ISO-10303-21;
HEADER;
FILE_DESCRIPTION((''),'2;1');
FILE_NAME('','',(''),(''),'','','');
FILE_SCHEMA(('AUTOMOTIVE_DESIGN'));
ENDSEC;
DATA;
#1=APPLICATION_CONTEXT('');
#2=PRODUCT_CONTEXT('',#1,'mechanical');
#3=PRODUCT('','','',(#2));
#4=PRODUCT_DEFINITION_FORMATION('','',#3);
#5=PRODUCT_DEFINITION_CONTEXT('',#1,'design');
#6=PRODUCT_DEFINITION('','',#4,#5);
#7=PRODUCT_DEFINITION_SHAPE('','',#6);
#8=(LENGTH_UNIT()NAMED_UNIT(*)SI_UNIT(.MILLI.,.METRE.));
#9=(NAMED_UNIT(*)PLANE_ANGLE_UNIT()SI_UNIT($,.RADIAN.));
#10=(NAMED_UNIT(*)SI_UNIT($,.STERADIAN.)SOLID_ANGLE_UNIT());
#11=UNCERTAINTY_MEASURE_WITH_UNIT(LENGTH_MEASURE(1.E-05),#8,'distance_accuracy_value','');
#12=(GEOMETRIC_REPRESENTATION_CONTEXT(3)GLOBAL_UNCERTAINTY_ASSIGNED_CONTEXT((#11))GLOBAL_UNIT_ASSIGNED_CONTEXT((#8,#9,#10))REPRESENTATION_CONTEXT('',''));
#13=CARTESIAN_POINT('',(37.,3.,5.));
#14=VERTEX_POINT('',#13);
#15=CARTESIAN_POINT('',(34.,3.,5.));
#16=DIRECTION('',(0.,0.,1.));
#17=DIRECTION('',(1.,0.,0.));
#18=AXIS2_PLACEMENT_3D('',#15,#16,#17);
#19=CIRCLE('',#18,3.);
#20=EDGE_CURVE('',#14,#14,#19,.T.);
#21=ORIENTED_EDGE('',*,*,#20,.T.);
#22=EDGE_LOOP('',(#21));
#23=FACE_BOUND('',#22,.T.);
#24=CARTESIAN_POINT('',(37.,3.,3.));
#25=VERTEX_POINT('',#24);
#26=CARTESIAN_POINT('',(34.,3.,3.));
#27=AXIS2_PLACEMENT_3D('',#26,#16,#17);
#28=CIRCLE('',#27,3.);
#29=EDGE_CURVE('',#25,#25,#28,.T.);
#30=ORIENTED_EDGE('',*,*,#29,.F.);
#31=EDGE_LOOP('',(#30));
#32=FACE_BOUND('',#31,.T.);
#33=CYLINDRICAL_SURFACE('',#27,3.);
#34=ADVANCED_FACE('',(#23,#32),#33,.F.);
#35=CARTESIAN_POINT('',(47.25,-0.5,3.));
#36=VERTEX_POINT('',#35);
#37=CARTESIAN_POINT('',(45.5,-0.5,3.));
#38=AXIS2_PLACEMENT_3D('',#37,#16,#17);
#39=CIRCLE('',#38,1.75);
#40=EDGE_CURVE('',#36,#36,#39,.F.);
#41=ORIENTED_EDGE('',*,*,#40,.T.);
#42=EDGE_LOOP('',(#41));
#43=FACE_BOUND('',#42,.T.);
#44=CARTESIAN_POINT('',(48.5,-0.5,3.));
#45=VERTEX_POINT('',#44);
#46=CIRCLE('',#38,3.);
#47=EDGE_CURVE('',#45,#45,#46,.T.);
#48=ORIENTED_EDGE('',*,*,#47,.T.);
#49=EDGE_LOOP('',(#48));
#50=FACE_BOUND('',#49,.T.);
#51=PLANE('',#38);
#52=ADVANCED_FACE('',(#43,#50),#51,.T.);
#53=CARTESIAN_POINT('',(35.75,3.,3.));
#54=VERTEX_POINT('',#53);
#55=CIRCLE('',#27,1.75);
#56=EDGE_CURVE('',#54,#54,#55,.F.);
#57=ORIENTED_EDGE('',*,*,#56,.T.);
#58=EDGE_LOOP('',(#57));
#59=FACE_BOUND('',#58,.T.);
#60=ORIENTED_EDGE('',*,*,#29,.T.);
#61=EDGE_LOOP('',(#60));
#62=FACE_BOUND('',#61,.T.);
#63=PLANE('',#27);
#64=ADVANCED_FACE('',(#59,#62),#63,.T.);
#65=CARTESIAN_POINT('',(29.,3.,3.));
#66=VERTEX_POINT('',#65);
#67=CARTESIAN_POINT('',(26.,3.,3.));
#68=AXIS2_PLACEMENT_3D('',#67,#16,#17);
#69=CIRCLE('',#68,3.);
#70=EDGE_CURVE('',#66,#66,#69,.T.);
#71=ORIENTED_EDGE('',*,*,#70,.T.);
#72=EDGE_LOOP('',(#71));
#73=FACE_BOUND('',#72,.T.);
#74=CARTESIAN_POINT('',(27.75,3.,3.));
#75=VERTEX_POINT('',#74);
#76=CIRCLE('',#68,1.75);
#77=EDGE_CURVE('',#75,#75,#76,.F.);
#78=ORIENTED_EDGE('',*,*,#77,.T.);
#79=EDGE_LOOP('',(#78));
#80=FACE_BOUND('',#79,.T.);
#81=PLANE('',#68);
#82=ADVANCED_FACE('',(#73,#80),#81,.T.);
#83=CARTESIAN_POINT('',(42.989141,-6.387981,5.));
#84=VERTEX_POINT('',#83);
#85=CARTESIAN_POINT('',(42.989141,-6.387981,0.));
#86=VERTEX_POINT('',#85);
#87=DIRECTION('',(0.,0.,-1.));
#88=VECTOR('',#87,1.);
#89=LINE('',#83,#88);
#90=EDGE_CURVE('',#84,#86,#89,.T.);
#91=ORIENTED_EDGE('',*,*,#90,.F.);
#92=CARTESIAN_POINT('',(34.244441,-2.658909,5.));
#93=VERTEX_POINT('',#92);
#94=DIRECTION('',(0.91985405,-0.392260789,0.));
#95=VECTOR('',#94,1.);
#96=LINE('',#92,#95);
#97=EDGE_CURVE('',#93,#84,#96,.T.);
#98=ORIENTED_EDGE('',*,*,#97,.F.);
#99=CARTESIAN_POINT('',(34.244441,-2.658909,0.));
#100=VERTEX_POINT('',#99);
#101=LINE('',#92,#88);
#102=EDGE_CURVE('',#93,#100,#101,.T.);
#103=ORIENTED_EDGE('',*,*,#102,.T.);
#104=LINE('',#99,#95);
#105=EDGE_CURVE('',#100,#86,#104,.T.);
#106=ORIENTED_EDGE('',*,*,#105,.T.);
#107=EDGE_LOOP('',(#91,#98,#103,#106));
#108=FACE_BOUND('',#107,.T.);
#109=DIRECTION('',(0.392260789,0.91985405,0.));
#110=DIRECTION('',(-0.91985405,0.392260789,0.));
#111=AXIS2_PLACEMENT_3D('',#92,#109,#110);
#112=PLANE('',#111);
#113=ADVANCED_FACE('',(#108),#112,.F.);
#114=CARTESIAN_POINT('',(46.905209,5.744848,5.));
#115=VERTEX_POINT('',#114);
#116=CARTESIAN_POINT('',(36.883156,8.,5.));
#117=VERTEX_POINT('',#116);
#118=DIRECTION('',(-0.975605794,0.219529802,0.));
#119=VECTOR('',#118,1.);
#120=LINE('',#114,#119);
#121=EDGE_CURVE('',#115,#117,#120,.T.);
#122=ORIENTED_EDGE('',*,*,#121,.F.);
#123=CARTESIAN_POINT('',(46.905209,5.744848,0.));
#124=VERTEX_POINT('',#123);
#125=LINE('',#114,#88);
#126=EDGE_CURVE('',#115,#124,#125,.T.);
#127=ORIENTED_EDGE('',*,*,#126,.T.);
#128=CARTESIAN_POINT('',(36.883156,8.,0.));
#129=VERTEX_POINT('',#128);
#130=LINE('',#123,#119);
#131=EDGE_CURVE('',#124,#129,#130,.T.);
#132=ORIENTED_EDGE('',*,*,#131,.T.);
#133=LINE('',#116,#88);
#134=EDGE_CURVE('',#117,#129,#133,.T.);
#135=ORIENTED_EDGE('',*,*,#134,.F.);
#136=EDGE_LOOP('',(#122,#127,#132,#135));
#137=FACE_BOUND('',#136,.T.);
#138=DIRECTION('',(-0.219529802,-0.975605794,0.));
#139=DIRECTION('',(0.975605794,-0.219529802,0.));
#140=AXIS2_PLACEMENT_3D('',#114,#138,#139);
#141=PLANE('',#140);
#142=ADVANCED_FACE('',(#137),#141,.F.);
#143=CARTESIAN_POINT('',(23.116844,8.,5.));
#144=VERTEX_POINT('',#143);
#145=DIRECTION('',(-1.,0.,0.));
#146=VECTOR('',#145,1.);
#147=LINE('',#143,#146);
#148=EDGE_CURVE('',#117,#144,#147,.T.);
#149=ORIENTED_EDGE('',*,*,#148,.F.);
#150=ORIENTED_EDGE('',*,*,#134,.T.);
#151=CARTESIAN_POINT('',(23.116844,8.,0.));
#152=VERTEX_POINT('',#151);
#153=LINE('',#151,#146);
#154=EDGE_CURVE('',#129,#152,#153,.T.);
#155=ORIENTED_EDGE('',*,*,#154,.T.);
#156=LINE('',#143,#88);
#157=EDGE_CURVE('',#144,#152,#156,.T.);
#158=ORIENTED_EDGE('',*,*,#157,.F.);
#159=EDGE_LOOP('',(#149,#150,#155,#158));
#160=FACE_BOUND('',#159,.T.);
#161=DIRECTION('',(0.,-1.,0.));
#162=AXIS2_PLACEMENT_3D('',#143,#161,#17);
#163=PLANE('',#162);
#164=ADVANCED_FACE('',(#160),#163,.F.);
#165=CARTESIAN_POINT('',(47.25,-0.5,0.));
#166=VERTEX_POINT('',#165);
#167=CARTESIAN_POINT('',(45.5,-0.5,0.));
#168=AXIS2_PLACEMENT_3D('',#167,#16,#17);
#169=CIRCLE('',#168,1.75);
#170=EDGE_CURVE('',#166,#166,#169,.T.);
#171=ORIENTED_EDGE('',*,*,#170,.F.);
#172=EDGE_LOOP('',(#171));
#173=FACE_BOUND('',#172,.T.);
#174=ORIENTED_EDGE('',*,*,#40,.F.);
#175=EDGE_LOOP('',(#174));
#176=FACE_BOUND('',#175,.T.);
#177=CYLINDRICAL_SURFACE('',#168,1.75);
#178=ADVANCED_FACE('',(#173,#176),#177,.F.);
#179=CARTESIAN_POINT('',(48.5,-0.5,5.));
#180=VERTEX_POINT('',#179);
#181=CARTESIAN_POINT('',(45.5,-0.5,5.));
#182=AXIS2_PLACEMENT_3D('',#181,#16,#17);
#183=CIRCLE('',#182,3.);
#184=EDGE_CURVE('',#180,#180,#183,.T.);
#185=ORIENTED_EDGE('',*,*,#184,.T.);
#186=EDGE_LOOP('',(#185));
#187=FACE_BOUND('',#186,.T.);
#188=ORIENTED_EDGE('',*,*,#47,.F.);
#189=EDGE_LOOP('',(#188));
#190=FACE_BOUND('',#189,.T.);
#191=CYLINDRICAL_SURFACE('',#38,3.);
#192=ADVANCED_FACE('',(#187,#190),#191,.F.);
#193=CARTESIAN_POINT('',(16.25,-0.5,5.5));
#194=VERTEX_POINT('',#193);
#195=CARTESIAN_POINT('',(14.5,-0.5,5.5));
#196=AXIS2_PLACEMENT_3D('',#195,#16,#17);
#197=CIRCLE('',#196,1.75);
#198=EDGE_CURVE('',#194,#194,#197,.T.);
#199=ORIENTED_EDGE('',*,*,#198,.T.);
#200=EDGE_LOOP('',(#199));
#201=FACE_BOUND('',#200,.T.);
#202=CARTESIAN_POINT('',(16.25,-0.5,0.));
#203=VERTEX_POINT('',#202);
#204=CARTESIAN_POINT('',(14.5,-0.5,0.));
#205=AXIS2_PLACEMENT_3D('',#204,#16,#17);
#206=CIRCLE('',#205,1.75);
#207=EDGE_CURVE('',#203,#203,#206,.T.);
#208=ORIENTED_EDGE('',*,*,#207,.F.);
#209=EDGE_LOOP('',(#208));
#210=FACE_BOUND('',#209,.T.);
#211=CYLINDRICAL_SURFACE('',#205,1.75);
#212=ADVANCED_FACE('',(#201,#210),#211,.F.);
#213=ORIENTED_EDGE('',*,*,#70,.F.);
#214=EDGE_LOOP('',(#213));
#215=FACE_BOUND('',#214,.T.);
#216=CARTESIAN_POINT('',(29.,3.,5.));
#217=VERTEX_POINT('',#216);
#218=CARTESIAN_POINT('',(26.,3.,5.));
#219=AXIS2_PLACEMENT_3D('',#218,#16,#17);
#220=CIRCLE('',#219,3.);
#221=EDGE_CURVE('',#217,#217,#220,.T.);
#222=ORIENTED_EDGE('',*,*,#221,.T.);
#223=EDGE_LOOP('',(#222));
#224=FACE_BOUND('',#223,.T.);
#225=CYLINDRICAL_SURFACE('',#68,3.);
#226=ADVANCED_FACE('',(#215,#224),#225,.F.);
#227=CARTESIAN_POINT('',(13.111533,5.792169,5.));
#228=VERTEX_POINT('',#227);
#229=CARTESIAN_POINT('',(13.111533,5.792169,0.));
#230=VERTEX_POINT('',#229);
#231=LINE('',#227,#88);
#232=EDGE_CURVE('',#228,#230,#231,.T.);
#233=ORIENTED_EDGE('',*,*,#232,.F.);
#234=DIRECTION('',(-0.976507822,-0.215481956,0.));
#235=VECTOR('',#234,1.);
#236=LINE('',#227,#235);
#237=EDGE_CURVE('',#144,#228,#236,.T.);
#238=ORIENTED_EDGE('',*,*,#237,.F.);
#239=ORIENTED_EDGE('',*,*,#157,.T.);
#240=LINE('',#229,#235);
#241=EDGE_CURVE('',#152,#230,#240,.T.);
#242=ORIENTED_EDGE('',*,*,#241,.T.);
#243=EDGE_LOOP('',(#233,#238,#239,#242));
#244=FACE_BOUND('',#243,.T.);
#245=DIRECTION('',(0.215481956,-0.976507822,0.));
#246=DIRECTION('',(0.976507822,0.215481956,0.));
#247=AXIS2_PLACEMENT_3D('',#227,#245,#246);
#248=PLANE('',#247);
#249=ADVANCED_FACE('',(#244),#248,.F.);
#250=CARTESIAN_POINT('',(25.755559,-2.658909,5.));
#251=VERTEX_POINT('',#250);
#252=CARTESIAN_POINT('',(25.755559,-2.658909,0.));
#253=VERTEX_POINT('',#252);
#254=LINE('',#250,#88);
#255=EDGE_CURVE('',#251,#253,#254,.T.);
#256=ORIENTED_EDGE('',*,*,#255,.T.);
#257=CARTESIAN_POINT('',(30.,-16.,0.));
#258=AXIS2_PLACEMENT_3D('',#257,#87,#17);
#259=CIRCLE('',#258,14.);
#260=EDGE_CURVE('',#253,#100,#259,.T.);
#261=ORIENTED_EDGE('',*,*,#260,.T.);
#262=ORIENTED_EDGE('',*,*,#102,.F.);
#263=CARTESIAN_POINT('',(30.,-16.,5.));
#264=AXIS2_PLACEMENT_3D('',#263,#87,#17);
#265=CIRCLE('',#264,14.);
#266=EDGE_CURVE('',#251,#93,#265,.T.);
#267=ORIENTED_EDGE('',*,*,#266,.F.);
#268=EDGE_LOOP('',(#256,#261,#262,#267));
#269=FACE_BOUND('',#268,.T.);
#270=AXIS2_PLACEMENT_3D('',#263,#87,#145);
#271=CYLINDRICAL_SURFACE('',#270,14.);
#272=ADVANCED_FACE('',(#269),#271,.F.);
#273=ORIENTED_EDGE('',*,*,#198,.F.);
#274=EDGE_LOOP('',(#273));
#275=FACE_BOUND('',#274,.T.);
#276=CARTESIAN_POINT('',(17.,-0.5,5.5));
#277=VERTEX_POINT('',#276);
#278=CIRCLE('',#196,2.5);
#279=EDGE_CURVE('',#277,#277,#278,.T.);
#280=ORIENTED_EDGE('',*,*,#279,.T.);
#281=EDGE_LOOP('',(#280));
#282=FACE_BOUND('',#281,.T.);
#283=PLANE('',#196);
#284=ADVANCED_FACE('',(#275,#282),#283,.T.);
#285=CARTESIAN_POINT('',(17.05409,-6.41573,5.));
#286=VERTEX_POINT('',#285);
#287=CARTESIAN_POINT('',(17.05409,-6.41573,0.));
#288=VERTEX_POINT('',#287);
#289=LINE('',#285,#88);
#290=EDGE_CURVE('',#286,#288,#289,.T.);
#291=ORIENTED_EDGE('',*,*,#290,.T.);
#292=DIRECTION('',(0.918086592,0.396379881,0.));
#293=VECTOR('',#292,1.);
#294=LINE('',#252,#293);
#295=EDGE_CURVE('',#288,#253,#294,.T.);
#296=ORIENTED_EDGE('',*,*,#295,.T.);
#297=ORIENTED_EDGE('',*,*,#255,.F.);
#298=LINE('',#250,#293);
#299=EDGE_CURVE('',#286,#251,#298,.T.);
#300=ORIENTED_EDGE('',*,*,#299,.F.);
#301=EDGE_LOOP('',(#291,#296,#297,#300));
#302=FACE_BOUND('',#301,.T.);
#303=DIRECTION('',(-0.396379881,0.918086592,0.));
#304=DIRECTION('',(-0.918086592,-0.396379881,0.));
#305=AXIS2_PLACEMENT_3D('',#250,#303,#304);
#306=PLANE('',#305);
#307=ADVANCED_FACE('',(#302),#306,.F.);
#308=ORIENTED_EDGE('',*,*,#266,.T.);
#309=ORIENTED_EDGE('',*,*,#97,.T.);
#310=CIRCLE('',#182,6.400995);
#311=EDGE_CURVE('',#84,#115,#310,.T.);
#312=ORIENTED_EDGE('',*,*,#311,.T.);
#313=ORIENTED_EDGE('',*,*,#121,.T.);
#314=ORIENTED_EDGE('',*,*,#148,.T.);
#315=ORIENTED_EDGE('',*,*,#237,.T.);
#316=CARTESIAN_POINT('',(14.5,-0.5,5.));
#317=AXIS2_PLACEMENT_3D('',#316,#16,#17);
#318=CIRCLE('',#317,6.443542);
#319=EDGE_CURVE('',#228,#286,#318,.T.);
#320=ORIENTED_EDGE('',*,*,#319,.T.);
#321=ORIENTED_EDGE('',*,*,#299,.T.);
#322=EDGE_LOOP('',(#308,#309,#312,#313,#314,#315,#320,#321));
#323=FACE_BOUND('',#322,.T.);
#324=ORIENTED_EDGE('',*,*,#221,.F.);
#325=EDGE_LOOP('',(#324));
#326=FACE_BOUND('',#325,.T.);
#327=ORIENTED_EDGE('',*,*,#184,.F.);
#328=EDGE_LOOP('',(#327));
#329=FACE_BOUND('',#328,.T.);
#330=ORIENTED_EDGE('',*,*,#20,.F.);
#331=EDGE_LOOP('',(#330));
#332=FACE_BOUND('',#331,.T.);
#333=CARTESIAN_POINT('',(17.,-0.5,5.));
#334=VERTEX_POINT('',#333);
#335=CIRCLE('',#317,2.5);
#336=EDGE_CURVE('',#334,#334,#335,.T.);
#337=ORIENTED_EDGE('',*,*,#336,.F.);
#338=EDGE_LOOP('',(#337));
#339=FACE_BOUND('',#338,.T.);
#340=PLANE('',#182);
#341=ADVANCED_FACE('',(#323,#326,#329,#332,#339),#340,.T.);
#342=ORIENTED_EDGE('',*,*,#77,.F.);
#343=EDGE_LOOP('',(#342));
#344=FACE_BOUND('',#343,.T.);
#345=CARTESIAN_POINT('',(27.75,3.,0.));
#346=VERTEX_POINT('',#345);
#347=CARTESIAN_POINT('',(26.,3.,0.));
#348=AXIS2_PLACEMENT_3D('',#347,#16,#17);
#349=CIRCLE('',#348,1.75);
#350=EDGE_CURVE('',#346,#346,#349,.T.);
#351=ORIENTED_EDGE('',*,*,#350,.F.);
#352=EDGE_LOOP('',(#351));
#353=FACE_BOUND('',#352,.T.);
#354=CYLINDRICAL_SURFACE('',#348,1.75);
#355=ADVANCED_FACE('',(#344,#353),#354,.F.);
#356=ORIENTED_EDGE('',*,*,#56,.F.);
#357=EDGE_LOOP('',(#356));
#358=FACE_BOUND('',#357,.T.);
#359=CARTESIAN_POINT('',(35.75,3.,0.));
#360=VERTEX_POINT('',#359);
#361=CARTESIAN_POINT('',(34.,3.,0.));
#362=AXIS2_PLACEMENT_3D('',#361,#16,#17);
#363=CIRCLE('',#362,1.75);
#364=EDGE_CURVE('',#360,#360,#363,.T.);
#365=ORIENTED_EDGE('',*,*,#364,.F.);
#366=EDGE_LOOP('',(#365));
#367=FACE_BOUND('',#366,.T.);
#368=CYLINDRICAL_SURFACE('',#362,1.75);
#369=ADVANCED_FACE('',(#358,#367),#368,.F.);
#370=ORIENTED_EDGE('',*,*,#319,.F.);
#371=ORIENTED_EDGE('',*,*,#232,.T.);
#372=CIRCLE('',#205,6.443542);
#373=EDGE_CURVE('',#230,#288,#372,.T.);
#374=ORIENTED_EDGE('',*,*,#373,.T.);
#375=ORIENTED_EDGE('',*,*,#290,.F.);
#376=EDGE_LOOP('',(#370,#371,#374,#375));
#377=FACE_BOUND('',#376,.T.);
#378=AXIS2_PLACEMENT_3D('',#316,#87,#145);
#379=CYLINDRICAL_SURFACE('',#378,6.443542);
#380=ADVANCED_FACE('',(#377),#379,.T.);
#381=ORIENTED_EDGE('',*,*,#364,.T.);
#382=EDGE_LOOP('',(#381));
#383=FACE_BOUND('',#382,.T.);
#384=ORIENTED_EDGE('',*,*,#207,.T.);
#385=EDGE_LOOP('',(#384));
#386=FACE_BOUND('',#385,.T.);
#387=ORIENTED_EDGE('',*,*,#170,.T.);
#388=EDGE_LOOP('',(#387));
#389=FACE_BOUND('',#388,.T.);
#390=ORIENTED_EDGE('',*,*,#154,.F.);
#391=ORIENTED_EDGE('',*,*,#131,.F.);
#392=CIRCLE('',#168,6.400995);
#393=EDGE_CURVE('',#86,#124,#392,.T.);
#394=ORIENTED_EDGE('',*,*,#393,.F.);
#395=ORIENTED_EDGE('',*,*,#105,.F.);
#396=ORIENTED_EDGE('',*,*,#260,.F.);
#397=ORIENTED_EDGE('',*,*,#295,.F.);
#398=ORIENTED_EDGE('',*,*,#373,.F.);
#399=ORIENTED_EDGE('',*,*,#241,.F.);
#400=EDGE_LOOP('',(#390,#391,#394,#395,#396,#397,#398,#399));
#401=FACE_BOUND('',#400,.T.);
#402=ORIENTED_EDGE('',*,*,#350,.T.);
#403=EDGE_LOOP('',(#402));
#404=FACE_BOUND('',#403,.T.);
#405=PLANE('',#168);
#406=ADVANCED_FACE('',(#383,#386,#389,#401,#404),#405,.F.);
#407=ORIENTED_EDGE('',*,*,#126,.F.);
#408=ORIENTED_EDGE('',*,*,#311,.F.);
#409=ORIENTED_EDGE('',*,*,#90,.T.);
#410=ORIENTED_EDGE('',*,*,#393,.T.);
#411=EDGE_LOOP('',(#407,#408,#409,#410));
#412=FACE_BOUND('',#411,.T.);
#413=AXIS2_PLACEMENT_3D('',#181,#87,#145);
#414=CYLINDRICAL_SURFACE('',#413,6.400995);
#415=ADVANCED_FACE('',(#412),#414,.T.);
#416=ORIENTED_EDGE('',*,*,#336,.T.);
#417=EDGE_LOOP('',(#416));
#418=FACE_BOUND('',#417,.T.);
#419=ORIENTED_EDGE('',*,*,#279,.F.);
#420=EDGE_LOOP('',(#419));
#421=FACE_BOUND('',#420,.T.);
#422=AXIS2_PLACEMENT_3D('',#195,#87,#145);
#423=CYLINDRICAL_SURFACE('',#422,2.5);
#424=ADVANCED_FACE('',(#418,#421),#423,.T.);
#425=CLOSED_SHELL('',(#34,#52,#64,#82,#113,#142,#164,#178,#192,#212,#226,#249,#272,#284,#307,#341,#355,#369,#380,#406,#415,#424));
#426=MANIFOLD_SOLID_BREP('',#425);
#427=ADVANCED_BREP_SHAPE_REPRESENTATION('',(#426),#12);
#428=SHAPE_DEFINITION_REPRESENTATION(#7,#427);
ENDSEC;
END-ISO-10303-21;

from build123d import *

# Parameters (mm, degrees)
BOSS_EXTRUDE1_DEPTH     = 5
CUT_EXTRUDE1_DEPTH      = 53.75142939
CUT_EXTRUDE1_DEPTH_BACK = 53.75142939
SKETCH2_R               = 1.75
BOSS_EXTRUDE2_START     = 0.5
SKETCH3_R               = 2.5
SKETCH3_R_2             = 1.75
BOSS_EXTRUDE2_DEPTH     = 0.5
SKETCH5_R               = 3
CUT_EXTRUDE2_DEPTH      = 2


with BuildPart() as part:
    # Sketch1 → Boss-Extrude1 (new body)
    with BuildSketch(Plane.XY):
        with BuildLine():
            Line((23.11684397, 8), (36.88315603, 8))
            Line((36.88315603, 8), (46.90520921, 5.744848006))
            ThreePointArc((46.90520921, 5.744848006), (51.591551748, -2.466147717), (42.989140572, -6.387981358))
            Line((42.989140572, -6.387981358), (34.244441462, -2.658908715))
            ThreePointArc((34.244441462, -2.658908715), (30, -2), (25.755558538, -2.658908715))
            Line((25.755558538, -2.658908715), (17.05409045, -6.415729603))
            ThreePointArc((17.05409045, -6.415729603), (8.36828995, -2.480244081), (13.111532947, 5.792169261))
            Line((13.111532947, 5.792169261), (23.11684397, 8))
        make_face()
    extrude(amount=BOSS_EXTRUDE1_DEPTH)

    # Sketch2 → Cut-Extrude1 (cut, two sides: drawn at the far end of the back side and taken through both)
    with BuildSketch(Plane.XY.offset(5).offset(-CUT_EXTRUDE1_DEPTH_BACK)):
        with Locations((45.5, -0.5)):
            Circle(SKETCH2_R)
        with Locations((14.5, -0.5)):
            Circle(SKETCH2_R)
        with Locations((26, 3)):
            Circle(SKETCH2_R)
        with Locations((34, 3)):
            Circle(SKETCH2_R)
    extrude(amount=CUT_EXTRUDE1_DEPTH + CUT_EXTRUDE1_DEPTH_BACK, mode=Mode.SUBTRACT)

    # Sketch3 → Boss-Extrude2 (add)
    with BuildSketch(Plane.XY.offset(5).offset(BOSS_EXTRUDE2_START)):
        with Locations((14.5, -0.5)):
            Circle(SKETCH3_R)
        with Locations((14.5, -0.5)):
            Circle(SKETCH3_R_2, mode=Mode.SUBTRACT)
    extrude(amount=-BOSS_EXTRUDE2_DEPTH)

    # Sketch5 → Cut-Extrude2 (cut)
    with BuildSketch(Plane.XY.offset(5)):
        with Locations((26, 3)):
            Circle(SKETCH5_R)
        with Locations((34, 3)):
            Circle(SKETCH5_R)
        with Locations((45.5, -0.5)):
            Circle(SKETCH5_R)
    extrude(amount=-CUT_EXTRUDE2_DEPTH, mode=Mode.SUBTRACT)


solid = part.part
